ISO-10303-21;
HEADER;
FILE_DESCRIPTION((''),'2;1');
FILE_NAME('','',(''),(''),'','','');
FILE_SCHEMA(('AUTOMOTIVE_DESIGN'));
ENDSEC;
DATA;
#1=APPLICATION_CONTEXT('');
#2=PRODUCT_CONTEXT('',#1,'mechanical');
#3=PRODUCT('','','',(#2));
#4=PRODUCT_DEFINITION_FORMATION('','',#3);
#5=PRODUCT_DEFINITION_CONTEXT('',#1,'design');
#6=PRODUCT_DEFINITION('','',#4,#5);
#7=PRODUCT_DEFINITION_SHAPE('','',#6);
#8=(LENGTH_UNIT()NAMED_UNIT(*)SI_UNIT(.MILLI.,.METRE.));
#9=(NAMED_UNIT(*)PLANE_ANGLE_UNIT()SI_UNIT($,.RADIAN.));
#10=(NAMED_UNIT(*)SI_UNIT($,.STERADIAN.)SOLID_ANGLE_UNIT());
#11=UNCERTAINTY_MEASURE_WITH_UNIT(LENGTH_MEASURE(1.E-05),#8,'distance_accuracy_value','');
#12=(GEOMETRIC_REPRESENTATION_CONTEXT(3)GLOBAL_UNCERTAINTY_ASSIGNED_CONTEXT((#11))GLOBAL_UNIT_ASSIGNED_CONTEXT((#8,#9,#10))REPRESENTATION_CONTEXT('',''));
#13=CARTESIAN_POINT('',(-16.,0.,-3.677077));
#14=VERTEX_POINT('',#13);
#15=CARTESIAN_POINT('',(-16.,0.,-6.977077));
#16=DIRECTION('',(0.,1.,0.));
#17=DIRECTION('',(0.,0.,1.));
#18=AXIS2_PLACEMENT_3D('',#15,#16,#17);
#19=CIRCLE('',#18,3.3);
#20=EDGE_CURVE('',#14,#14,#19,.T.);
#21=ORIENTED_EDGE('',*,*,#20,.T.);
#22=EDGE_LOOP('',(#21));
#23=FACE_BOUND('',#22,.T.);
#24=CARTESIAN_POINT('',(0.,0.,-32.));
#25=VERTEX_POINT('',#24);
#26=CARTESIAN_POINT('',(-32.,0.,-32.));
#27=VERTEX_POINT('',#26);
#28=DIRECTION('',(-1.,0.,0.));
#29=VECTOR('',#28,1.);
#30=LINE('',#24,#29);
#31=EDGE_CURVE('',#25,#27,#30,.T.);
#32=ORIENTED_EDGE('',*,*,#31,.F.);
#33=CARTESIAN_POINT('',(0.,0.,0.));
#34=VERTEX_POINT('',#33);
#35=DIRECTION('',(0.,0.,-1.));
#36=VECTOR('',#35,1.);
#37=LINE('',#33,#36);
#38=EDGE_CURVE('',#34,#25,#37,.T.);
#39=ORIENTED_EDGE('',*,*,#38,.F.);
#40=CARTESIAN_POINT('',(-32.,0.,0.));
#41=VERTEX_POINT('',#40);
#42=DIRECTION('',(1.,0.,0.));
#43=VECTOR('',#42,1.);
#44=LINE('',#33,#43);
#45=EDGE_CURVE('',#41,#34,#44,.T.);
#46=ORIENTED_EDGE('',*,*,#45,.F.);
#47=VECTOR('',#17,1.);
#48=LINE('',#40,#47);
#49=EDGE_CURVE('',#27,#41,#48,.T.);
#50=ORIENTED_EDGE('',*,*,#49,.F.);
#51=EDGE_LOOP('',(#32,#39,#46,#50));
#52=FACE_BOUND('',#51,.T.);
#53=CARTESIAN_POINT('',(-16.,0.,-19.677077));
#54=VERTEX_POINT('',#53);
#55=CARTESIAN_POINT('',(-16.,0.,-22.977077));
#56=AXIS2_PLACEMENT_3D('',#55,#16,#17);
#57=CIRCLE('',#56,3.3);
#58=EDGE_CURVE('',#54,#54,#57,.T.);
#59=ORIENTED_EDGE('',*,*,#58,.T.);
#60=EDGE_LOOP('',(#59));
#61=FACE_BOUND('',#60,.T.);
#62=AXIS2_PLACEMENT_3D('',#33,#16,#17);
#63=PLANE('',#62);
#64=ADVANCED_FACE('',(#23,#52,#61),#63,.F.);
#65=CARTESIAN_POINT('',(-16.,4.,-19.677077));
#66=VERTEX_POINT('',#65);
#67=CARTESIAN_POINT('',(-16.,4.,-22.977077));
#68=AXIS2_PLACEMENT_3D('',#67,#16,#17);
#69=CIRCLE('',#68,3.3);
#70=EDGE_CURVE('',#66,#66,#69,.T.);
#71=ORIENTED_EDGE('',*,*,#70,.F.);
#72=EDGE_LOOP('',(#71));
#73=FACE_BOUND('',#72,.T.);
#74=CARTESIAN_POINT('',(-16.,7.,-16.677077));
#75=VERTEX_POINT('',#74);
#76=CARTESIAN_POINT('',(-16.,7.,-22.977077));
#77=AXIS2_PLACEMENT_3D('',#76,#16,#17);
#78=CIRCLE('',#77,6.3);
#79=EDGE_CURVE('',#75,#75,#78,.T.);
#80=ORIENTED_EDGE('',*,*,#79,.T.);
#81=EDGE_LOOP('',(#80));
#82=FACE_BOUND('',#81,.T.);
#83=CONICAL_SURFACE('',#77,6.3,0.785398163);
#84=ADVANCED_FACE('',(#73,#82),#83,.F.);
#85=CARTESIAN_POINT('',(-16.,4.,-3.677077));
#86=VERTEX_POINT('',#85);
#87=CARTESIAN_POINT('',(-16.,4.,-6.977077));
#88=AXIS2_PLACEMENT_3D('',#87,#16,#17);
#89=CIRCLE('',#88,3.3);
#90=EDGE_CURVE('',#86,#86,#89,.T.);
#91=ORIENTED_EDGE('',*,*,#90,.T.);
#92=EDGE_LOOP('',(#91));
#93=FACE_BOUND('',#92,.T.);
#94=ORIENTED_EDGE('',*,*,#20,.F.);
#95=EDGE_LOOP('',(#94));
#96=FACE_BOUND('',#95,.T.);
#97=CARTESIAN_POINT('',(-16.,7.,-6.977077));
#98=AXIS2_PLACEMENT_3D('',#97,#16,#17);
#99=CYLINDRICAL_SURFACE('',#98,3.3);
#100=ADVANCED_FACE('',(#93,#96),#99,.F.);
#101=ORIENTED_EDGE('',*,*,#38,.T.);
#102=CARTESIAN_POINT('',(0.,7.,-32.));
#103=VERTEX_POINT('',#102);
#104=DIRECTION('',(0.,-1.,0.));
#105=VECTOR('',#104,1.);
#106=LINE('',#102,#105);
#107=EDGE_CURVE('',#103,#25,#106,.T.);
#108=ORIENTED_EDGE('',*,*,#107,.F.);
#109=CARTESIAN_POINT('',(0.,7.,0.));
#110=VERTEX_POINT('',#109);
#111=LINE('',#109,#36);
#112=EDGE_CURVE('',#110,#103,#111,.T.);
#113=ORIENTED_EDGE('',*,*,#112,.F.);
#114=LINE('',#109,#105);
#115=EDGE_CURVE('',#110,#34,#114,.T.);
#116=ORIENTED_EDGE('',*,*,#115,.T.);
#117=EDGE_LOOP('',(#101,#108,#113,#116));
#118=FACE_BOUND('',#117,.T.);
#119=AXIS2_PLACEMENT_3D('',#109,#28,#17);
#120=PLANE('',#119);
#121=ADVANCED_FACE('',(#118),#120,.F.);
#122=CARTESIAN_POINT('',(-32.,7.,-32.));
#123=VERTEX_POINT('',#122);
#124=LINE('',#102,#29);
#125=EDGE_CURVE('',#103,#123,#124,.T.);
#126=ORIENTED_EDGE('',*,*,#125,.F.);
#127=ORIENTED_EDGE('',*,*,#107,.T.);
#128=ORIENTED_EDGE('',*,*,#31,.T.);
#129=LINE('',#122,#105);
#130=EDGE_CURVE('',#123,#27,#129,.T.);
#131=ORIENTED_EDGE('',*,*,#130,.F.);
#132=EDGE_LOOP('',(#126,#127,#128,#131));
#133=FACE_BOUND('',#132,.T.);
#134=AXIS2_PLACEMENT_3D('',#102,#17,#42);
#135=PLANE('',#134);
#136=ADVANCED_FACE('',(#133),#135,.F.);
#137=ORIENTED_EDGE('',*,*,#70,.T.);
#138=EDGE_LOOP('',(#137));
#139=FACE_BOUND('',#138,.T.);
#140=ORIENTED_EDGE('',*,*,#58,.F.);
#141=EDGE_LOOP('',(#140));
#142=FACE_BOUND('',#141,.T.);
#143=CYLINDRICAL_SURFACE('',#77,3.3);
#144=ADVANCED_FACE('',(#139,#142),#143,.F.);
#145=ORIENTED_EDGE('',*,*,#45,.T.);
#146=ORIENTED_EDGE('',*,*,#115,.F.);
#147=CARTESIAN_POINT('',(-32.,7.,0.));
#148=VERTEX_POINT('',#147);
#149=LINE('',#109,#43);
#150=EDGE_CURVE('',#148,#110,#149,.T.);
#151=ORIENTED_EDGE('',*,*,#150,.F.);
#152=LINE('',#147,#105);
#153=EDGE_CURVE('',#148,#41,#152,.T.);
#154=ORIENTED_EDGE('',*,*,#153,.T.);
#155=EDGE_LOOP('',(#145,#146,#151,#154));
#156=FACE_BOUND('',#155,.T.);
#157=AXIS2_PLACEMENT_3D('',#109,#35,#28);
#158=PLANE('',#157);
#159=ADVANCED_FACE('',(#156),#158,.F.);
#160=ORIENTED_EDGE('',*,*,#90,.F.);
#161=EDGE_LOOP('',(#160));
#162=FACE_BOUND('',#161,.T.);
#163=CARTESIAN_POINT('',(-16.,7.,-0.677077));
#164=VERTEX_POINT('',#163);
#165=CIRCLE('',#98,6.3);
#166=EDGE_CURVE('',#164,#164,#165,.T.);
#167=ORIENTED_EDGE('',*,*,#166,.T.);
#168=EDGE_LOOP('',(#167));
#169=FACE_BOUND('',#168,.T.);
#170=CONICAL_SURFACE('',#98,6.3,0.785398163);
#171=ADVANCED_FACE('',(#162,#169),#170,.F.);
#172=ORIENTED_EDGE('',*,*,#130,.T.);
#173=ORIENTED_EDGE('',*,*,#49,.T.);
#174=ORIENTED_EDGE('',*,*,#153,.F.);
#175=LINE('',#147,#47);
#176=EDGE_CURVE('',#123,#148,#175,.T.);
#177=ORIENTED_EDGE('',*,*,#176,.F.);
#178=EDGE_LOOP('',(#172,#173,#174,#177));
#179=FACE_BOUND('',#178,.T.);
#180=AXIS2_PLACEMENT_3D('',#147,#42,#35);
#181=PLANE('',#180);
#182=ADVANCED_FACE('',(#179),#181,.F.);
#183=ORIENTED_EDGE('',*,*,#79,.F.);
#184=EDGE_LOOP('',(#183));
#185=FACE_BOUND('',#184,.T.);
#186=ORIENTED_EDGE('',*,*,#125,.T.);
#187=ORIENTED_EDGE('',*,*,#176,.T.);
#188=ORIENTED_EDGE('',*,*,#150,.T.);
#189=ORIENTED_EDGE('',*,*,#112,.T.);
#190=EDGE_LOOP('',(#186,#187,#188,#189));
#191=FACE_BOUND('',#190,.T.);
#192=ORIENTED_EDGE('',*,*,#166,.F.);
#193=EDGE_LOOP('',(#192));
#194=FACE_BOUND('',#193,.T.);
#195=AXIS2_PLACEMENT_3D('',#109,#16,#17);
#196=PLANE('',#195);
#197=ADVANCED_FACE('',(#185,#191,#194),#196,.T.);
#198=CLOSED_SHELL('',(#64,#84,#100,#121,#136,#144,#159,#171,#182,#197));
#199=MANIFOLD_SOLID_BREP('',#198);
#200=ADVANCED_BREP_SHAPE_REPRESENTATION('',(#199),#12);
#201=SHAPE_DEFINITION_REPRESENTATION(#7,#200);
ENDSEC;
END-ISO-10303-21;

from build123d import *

# Parameters (mm, degrees)
IZIM1_W                     = 32
IZIM1_H                     = 32
Y_KSEKLIK_EKSTR_ZYON1_DEPTH = 7
DELIK2_D                    = 6.6
DELIK2_CSINK_D              = 12.6
DELIK2_CSINK_ANGLE          = 90


with BuildPart() as part:
    # Çizim1 → Yükseklik-Ekstrüzyon1 (new body)
    with BuildSketch(Plane(origin=(0, 0, 0), x_dir=(1, 0, 0), z_dir=(0, 1, 0))):
        with Locations((-16, 16)):
            Rectangle(IZIM1_W, IZIM1_H)
    extrude(amount=Y_KSEKLIK_EKSTR_ZYON1_DEPTH)

    # Delik2 (through all)
    with Locations(Plane(origin=(0, 7, 0), x_dir=(1, 0, 0), z_dir=(0, 1, 0))):
        with Locations((-16, 22.977076648), (-16, 6.977076648)):
            CounterSinkHole(DELIK2_D / 2, DELIK2_CSINK_D / 2, counter_sink_angle=DELIK2_CSINK_ANGLE)


solid = part.part
